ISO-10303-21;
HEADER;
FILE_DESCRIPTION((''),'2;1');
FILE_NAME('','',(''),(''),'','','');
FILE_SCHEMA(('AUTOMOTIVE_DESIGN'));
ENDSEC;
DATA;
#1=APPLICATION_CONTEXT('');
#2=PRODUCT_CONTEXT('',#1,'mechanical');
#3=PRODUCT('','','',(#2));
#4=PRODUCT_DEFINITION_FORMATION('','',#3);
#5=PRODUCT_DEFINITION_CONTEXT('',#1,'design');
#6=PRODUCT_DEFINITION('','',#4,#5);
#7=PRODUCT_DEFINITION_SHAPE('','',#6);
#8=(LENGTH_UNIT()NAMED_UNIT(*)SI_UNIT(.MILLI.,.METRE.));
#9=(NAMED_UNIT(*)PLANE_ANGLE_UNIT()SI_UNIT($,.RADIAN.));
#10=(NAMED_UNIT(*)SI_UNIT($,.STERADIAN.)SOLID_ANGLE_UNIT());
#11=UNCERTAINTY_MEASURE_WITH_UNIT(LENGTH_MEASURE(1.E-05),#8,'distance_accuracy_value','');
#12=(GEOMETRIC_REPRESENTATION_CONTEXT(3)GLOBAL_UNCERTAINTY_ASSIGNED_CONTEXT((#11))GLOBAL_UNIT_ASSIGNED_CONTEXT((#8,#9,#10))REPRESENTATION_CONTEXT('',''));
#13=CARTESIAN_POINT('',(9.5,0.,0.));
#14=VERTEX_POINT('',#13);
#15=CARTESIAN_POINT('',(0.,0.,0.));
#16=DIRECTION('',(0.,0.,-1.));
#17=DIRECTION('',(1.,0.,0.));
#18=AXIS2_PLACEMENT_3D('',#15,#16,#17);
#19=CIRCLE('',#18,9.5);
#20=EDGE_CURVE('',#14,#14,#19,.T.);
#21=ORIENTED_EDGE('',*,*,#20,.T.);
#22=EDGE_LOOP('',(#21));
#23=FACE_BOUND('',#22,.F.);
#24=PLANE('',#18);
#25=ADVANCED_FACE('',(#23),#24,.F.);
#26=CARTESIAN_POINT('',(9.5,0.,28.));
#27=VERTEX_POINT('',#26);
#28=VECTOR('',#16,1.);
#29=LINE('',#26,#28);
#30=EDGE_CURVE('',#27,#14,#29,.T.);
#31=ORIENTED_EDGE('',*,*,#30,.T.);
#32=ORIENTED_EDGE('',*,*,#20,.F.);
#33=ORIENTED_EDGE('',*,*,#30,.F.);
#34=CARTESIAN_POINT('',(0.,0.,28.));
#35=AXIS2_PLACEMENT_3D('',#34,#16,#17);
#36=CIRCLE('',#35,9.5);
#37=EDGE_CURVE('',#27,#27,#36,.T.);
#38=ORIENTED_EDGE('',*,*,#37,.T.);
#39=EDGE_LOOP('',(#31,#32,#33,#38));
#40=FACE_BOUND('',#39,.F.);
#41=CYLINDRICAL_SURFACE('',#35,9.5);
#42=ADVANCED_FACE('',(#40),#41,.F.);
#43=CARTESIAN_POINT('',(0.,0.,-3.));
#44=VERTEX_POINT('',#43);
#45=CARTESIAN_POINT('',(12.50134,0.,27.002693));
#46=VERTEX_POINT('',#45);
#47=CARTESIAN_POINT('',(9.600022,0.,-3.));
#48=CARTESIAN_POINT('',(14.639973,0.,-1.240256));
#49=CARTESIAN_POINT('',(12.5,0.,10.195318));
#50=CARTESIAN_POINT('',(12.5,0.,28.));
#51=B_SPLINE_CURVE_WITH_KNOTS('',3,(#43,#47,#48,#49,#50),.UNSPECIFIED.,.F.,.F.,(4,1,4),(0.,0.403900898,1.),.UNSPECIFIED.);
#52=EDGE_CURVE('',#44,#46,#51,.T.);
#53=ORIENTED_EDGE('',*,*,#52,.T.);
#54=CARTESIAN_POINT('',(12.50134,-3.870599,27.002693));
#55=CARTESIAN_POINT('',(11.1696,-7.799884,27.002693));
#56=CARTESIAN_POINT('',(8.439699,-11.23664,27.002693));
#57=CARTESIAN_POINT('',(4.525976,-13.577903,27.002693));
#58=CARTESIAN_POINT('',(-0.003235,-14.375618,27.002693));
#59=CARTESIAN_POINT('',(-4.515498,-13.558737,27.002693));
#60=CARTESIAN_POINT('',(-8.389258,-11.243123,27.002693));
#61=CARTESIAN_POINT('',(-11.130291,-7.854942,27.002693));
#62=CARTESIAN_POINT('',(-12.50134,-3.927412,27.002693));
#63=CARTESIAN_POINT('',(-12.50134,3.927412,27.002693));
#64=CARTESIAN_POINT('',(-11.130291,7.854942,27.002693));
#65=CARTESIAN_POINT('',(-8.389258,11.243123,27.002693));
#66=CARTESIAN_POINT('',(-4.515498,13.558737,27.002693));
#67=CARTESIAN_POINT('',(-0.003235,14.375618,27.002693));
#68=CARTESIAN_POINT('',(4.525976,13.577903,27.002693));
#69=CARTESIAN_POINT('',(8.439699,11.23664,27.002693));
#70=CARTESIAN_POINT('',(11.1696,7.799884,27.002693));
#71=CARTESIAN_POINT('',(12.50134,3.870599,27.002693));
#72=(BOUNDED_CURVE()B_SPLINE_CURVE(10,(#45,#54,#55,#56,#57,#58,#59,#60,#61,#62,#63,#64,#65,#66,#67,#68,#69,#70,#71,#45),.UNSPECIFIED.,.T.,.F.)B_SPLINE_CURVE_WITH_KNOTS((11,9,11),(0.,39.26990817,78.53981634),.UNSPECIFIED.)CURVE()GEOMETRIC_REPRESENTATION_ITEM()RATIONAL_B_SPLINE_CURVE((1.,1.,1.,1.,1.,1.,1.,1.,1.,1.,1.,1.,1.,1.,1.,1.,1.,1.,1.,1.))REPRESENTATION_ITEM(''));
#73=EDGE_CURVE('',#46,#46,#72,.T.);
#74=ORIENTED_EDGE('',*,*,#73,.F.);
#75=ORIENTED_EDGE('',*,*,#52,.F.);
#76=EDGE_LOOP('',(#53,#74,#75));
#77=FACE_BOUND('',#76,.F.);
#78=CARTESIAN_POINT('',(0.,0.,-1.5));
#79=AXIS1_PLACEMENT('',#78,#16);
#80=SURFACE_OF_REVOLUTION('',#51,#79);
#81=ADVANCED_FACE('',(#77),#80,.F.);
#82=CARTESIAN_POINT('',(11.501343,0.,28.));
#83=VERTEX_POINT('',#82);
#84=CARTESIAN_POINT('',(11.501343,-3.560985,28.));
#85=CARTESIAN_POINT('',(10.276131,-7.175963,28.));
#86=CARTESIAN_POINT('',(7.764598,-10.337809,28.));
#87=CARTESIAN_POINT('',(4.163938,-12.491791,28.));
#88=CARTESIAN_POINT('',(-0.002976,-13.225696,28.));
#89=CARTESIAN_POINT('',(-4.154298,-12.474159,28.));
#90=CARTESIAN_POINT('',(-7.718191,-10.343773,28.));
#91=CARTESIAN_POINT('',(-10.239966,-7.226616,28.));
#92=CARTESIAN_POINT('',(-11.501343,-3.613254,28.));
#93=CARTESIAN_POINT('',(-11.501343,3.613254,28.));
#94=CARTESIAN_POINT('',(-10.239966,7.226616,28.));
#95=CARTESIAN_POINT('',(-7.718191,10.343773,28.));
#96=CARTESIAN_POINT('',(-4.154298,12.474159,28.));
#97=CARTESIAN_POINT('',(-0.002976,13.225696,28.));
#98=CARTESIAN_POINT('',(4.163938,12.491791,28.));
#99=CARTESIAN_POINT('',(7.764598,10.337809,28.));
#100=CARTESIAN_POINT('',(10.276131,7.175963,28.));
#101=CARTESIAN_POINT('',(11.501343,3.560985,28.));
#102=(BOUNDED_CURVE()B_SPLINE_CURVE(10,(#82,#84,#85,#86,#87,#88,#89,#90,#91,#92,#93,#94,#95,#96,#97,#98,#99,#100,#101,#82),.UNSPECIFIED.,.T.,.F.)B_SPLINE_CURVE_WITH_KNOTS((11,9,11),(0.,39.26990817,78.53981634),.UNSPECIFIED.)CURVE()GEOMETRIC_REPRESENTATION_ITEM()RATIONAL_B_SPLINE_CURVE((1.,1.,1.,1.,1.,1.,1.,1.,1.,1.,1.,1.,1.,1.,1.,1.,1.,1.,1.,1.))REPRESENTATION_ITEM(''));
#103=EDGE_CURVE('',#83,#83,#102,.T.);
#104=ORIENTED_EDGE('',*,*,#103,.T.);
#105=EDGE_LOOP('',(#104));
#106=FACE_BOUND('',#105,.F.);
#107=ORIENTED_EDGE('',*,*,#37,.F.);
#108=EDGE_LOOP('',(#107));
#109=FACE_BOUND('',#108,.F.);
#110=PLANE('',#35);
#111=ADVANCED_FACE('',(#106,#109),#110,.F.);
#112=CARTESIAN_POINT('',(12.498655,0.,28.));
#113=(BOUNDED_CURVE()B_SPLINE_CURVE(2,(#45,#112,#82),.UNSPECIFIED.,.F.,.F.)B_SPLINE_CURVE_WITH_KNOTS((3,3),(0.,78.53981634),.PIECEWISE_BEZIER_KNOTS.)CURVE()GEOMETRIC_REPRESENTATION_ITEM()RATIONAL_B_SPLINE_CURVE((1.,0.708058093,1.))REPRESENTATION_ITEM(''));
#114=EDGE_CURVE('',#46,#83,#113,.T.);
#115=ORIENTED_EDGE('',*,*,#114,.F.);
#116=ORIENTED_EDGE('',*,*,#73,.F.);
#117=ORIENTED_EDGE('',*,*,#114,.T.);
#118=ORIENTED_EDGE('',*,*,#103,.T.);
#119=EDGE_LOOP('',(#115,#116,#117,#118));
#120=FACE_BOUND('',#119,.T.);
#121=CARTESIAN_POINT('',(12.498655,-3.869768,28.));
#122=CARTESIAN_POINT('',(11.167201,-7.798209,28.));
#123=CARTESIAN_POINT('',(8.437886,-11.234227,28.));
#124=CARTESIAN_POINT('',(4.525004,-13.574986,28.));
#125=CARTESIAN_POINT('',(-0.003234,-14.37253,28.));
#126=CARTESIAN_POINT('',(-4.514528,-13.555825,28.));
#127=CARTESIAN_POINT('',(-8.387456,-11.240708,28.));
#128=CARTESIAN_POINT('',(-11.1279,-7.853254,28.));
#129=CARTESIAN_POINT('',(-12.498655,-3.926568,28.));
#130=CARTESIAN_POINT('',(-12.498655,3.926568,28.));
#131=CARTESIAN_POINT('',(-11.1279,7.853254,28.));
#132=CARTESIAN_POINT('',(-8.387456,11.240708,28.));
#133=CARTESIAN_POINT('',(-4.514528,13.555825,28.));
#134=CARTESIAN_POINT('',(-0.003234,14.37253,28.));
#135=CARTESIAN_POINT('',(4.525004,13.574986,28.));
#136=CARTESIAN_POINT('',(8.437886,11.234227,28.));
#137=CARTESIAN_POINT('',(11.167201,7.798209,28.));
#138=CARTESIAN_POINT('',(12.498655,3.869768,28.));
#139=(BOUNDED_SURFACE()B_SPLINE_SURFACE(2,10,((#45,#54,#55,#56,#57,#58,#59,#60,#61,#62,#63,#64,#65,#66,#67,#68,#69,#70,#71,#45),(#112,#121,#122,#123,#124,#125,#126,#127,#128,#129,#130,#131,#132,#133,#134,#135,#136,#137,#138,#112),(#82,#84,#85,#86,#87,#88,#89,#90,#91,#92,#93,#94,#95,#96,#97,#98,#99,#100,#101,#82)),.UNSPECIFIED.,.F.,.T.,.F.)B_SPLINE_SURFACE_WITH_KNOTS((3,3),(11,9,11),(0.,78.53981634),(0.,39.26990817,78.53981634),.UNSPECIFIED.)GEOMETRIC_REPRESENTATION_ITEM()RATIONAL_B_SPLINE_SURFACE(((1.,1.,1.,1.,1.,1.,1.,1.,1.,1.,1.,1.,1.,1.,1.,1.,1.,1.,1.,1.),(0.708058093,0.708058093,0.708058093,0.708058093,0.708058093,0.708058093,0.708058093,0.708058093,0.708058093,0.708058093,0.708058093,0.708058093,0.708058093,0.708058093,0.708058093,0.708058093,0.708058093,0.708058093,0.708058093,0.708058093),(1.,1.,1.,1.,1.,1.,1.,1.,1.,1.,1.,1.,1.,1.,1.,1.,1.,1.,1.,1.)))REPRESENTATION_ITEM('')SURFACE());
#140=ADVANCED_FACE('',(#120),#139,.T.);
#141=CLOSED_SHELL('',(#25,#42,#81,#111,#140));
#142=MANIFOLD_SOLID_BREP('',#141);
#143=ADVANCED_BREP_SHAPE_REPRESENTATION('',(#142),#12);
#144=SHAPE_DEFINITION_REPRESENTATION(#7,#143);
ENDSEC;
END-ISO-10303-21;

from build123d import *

# Parameters (mm, degrees)
F2_R = 1


with BuildPart() as f1:
    # F0 (on Front) → F1 (revolve)
    with BuildSketch(Plane.XZ):
        with BuildLine():
            Line((9.5, 0), (0, 0))
            Line((0, 0), (0, -3))
            add(Edge.make_bspline(
                [(0, -3), (9.6000218764, -3), (14.6399733982, -1.2402557723), (12.5, 10.1953176782), (12.5, 28)],
                knots=[0, 0, 0, 0, 0.4039008981, 1, 1, 1, 1], degree=3))
            Line((12.5, 28), (9.5, 28))
            Line((9.5, 28), (9.5, 0))
        make_face()
    revolve(axis=Axis((0, 0, -1.5), (0, 0, -1)))

    # F2
    f2_edges = [f1.edges().sort_by_distance(p)[0] for p in [
        (-12.5, 0, 28),
    ]]
    fillet(f2_edges, radius=F2_R)


solid = f1.part
